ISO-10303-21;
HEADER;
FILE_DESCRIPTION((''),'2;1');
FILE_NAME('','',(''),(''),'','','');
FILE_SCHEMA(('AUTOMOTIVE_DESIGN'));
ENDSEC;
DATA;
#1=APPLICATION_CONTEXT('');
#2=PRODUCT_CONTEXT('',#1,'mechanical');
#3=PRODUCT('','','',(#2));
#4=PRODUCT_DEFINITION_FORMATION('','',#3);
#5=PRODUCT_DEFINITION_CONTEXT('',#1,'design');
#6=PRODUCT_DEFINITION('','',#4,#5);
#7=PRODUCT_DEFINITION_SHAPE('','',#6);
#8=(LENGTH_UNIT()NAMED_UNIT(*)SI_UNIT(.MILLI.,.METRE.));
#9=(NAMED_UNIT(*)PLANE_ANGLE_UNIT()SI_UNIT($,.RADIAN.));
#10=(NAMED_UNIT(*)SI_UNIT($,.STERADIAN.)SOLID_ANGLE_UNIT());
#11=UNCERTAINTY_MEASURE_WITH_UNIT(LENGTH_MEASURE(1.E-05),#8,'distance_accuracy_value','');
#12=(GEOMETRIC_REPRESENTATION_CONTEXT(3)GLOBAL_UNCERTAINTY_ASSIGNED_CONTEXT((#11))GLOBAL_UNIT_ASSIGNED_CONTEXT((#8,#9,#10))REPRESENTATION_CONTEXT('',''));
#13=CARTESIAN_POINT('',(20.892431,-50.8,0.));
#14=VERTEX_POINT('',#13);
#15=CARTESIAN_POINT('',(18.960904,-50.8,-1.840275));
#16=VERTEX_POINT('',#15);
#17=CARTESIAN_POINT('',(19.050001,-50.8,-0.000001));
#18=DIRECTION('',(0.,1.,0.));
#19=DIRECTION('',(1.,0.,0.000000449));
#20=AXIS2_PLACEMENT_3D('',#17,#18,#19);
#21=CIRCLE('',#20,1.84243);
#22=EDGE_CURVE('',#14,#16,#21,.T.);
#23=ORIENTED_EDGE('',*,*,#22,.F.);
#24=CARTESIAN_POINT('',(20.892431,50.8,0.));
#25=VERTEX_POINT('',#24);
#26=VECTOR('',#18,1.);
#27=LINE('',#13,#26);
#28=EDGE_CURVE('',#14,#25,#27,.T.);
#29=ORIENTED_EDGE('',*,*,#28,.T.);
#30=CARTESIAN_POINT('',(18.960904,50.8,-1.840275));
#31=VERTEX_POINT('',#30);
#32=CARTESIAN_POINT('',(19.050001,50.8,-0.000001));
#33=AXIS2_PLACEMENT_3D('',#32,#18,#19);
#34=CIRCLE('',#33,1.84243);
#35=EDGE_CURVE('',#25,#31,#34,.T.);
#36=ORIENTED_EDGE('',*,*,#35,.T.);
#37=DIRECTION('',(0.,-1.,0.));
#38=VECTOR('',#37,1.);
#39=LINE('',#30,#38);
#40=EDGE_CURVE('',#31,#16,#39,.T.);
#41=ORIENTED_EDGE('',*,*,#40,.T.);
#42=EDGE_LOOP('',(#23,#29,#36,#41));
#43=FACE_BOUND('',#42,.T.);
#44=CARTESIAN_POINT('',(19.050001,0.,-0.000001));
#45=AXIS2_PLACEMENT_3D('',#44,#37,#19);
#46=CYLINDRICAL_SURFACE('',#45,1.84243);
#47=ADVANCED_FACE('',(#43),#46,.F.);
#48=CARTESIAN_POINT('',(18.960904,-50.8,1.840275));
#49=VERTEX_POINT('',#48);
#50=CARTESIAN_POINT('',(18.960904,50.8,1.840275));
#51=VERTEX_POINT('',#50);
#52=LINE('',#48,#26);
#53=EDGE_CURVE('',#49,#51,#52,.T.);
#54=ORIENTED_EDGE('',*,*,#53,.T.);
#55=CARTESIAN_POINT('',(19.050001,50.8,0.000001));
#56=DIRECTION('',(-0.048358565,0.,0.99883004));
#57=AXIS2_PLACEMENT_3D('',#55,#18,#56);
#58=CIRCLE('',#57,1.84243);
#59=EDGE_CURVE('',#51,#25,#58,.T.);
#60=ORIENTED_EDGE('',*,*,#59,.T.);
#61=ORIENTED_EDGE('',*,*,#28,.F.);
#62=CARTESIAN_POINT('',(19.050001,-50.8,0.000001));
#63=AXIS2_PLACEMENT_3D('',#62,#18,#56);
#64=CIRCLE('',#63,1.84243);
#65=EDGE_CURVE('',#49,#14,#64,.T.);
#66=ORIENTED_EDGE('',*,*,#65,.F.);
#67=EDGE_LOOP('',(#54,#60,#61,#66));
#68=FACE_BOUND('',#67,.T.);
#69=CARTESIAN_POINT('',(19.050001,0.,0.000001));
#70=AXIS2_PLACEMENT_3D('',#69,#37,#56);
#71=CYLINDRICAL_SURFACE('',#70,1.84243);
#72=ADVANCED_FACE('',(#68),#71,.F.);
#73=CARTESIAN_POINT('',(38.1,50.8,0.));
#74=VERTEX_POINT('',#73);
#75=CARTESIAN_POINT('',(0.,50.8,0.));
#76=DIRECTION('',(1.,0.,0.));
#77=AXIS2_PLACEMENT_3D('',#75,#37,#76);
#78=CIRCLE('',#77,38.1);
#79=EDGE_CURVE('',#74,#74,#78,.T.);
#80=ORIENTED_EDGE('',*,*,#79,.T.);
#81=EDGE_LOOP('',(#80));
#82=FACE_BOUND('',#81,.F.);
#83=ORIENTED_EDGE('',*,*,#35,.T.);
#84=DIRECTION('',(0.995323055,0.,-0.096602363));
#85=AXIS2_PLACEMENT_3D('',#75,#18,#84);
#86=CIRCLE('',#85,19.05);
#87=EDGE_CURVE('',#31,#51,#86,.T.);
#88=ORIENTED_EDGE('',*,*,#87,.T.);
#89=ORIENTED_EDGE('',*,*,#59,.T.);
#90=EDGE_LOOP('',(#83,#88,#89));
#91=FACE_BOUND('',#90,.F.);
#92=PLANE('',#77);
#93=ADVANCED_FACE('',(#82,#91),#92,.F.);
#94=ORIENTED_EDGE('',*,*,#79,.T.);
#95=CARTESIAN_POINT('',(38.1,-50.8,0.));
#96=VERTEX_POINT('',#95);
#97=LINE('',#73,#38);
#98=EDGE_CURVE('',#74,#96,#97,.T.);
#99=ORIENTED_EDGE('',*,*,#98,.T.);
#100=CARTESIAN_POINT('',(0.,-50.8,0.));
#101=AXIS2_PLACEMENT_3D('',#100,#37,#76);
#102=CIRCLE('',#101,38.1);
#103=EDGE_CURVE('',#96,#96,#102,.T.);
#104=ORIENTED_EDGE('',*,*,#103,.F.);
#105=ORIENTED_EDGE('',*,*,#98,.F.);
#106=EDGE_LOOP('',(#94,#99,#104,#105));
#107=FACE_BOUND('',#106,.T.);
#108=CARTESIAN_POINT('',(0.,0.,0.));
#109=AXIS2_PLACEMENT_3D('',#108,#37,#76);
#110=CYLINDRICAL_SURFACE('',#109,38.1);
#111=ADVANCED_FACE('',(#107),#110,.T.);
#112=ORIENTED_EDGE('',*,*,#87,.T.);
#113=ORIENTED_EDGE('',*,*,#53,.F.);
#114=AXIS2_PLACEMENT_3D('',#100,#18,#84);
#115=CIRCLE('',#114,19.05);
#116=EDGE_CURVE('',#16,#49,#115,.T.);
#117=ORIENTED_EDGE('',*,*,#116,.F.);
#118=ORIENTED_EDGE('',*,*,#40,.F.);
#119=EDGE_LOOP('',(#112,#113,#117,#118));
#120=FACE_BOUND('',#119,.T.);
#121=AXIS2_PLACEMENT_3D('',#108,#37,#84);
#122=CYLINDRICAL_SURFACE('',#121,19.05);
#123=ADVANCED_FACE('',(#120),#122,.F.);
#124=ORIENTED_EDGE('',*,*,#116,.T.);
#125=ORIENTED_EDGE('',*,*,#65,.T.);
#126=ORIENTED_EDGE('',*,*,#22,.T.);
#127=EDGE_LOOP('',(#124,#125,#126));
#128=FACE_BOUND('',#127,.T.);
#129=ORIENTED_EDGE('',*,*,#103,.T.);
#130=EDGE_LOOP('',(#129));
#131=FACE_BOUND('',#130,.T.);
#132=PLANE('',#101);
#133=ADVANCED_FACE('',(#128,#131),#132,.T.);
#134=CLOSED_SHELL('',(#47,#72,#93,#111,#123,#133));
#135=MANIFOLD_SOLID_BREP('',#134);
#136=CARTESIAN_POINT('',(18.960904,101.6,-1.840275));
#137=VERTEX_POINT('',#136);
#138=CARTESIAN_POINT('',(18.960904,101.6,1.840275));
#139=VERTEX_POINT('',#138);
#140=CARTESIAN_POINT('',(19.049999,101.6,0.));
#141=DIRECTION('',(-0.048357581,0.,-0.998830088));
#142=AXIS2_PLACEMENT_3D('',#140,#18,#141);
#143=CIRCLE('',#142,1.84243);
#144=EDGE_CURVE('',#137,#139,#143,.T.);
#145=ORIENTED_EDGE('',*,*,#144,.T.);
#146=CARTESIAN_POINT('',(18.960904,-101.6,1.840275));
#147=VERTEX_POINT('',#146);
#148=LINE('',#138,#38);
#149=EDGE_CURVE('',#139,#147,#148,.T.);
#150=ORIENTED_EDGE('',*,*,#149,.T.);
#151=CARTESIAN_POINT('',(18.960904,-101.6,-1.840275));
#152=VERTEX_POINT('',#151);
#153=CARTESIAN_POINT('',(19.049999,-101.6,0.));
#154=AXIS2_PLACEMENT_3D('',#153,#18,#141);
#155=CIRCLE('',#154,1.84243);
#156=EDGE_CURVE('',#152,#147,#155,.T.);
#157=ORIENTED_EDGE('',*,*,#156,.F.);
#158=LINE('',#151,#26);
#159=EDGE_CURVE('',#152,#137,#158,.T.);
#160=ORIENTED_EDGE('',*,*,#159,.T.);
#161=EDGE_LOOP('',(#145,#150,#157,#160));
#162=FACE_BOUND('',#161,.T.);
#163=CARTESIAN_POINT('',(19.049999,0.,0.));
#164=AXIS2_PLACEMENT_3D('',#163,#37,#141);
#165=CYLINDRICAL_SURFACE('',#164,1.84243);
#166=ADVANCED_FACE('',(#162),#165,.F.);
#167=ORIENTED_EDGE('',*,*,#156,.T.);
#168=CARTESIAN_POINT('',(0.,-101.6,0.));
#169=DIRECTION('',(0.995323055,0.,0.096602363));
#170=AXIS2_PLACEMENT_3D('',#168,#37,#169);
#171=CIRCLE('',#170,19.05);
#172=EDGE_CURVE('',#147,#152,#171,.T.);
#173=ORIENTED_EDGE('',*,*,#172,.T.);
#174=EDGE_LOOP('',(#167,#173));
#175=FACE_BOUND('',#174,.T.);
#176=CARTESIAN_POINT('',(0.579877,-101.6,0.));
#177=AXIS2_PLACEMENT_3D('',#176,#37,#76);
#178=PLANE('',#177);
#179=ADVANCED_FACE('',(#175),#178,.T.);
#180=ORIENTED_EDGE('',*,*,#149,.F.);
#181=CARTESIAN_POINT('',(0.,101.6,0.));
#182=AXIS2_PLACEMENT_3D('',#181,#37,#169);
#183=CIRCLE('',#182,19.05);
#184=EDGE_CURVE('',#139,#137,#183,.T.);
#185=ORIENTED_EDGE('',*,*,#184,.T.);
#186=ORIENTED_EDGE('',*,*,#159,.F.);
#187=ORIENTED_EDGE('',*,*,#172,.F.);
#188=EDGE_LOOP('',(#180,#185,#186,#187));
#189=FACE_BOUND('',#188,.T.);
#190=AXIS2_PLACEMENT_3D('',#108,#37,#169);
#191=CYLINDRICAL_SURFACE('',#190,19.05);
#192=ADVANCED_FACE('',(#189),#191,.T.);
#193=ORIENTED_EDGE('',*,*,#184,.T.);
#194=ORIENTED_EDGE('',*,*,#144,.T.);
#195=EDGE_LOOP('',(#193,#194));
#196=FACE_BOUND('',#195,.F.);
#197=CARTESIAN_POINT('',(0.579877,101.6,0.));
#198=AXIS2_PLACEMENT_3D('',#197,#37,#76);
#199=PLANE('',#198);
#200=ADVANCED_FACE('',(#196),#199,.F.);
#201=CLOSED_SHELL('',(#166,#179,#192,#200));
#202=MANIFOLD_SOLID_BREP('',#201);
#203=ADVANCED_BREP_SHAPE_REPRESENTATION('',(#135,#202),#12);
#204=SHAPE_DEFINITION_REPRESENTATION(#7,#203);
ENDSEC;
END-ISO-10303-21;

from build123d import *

# Parameters (mm, degrees)
F0_R     = 38.1
F1_DEPTH = 50.8
F2_DEPTH = 101.6


with BuildPart() as f1:
    # F0 (on Front) → F1 (new body, symmetric)
    with BuildSketch(Plane.XZ):
        Circle(F0_R)
        with BuildLine():
            ThreePointArc((18.960904, -1.840275), (-19.05, 0), (18.960904, 1.840275))
            ThreePointArc((18.960904, 1.840275), (20.320905, 1.333924), (20.892431, 0))
            ThreePointArc((20.892431, 0), (20.320905, -1.333924), (18.960904, -1.840275))
        make_face(mode=Mode.SUBTRACT)
    extrude(amount=F1_DEPTH, both=True)


with BuildPart() as f2:
    # F0 (on Front) → F2 (new body, symmetric)
    with BuildSketch(Plane.XZ):
        with BuildLine():
            ThreePointArc((18.960904, -1.840275), (17.207569, 0), (18.960904, 1.840275))
            ThreePointArc((18.960904, 1.840275), (-19.05, 0), (18.960904, -1.840275))
        make_face()
    extrude(amount=F2_DEPTH, both=True)


solid = Compound([f1.part, f2.part])
